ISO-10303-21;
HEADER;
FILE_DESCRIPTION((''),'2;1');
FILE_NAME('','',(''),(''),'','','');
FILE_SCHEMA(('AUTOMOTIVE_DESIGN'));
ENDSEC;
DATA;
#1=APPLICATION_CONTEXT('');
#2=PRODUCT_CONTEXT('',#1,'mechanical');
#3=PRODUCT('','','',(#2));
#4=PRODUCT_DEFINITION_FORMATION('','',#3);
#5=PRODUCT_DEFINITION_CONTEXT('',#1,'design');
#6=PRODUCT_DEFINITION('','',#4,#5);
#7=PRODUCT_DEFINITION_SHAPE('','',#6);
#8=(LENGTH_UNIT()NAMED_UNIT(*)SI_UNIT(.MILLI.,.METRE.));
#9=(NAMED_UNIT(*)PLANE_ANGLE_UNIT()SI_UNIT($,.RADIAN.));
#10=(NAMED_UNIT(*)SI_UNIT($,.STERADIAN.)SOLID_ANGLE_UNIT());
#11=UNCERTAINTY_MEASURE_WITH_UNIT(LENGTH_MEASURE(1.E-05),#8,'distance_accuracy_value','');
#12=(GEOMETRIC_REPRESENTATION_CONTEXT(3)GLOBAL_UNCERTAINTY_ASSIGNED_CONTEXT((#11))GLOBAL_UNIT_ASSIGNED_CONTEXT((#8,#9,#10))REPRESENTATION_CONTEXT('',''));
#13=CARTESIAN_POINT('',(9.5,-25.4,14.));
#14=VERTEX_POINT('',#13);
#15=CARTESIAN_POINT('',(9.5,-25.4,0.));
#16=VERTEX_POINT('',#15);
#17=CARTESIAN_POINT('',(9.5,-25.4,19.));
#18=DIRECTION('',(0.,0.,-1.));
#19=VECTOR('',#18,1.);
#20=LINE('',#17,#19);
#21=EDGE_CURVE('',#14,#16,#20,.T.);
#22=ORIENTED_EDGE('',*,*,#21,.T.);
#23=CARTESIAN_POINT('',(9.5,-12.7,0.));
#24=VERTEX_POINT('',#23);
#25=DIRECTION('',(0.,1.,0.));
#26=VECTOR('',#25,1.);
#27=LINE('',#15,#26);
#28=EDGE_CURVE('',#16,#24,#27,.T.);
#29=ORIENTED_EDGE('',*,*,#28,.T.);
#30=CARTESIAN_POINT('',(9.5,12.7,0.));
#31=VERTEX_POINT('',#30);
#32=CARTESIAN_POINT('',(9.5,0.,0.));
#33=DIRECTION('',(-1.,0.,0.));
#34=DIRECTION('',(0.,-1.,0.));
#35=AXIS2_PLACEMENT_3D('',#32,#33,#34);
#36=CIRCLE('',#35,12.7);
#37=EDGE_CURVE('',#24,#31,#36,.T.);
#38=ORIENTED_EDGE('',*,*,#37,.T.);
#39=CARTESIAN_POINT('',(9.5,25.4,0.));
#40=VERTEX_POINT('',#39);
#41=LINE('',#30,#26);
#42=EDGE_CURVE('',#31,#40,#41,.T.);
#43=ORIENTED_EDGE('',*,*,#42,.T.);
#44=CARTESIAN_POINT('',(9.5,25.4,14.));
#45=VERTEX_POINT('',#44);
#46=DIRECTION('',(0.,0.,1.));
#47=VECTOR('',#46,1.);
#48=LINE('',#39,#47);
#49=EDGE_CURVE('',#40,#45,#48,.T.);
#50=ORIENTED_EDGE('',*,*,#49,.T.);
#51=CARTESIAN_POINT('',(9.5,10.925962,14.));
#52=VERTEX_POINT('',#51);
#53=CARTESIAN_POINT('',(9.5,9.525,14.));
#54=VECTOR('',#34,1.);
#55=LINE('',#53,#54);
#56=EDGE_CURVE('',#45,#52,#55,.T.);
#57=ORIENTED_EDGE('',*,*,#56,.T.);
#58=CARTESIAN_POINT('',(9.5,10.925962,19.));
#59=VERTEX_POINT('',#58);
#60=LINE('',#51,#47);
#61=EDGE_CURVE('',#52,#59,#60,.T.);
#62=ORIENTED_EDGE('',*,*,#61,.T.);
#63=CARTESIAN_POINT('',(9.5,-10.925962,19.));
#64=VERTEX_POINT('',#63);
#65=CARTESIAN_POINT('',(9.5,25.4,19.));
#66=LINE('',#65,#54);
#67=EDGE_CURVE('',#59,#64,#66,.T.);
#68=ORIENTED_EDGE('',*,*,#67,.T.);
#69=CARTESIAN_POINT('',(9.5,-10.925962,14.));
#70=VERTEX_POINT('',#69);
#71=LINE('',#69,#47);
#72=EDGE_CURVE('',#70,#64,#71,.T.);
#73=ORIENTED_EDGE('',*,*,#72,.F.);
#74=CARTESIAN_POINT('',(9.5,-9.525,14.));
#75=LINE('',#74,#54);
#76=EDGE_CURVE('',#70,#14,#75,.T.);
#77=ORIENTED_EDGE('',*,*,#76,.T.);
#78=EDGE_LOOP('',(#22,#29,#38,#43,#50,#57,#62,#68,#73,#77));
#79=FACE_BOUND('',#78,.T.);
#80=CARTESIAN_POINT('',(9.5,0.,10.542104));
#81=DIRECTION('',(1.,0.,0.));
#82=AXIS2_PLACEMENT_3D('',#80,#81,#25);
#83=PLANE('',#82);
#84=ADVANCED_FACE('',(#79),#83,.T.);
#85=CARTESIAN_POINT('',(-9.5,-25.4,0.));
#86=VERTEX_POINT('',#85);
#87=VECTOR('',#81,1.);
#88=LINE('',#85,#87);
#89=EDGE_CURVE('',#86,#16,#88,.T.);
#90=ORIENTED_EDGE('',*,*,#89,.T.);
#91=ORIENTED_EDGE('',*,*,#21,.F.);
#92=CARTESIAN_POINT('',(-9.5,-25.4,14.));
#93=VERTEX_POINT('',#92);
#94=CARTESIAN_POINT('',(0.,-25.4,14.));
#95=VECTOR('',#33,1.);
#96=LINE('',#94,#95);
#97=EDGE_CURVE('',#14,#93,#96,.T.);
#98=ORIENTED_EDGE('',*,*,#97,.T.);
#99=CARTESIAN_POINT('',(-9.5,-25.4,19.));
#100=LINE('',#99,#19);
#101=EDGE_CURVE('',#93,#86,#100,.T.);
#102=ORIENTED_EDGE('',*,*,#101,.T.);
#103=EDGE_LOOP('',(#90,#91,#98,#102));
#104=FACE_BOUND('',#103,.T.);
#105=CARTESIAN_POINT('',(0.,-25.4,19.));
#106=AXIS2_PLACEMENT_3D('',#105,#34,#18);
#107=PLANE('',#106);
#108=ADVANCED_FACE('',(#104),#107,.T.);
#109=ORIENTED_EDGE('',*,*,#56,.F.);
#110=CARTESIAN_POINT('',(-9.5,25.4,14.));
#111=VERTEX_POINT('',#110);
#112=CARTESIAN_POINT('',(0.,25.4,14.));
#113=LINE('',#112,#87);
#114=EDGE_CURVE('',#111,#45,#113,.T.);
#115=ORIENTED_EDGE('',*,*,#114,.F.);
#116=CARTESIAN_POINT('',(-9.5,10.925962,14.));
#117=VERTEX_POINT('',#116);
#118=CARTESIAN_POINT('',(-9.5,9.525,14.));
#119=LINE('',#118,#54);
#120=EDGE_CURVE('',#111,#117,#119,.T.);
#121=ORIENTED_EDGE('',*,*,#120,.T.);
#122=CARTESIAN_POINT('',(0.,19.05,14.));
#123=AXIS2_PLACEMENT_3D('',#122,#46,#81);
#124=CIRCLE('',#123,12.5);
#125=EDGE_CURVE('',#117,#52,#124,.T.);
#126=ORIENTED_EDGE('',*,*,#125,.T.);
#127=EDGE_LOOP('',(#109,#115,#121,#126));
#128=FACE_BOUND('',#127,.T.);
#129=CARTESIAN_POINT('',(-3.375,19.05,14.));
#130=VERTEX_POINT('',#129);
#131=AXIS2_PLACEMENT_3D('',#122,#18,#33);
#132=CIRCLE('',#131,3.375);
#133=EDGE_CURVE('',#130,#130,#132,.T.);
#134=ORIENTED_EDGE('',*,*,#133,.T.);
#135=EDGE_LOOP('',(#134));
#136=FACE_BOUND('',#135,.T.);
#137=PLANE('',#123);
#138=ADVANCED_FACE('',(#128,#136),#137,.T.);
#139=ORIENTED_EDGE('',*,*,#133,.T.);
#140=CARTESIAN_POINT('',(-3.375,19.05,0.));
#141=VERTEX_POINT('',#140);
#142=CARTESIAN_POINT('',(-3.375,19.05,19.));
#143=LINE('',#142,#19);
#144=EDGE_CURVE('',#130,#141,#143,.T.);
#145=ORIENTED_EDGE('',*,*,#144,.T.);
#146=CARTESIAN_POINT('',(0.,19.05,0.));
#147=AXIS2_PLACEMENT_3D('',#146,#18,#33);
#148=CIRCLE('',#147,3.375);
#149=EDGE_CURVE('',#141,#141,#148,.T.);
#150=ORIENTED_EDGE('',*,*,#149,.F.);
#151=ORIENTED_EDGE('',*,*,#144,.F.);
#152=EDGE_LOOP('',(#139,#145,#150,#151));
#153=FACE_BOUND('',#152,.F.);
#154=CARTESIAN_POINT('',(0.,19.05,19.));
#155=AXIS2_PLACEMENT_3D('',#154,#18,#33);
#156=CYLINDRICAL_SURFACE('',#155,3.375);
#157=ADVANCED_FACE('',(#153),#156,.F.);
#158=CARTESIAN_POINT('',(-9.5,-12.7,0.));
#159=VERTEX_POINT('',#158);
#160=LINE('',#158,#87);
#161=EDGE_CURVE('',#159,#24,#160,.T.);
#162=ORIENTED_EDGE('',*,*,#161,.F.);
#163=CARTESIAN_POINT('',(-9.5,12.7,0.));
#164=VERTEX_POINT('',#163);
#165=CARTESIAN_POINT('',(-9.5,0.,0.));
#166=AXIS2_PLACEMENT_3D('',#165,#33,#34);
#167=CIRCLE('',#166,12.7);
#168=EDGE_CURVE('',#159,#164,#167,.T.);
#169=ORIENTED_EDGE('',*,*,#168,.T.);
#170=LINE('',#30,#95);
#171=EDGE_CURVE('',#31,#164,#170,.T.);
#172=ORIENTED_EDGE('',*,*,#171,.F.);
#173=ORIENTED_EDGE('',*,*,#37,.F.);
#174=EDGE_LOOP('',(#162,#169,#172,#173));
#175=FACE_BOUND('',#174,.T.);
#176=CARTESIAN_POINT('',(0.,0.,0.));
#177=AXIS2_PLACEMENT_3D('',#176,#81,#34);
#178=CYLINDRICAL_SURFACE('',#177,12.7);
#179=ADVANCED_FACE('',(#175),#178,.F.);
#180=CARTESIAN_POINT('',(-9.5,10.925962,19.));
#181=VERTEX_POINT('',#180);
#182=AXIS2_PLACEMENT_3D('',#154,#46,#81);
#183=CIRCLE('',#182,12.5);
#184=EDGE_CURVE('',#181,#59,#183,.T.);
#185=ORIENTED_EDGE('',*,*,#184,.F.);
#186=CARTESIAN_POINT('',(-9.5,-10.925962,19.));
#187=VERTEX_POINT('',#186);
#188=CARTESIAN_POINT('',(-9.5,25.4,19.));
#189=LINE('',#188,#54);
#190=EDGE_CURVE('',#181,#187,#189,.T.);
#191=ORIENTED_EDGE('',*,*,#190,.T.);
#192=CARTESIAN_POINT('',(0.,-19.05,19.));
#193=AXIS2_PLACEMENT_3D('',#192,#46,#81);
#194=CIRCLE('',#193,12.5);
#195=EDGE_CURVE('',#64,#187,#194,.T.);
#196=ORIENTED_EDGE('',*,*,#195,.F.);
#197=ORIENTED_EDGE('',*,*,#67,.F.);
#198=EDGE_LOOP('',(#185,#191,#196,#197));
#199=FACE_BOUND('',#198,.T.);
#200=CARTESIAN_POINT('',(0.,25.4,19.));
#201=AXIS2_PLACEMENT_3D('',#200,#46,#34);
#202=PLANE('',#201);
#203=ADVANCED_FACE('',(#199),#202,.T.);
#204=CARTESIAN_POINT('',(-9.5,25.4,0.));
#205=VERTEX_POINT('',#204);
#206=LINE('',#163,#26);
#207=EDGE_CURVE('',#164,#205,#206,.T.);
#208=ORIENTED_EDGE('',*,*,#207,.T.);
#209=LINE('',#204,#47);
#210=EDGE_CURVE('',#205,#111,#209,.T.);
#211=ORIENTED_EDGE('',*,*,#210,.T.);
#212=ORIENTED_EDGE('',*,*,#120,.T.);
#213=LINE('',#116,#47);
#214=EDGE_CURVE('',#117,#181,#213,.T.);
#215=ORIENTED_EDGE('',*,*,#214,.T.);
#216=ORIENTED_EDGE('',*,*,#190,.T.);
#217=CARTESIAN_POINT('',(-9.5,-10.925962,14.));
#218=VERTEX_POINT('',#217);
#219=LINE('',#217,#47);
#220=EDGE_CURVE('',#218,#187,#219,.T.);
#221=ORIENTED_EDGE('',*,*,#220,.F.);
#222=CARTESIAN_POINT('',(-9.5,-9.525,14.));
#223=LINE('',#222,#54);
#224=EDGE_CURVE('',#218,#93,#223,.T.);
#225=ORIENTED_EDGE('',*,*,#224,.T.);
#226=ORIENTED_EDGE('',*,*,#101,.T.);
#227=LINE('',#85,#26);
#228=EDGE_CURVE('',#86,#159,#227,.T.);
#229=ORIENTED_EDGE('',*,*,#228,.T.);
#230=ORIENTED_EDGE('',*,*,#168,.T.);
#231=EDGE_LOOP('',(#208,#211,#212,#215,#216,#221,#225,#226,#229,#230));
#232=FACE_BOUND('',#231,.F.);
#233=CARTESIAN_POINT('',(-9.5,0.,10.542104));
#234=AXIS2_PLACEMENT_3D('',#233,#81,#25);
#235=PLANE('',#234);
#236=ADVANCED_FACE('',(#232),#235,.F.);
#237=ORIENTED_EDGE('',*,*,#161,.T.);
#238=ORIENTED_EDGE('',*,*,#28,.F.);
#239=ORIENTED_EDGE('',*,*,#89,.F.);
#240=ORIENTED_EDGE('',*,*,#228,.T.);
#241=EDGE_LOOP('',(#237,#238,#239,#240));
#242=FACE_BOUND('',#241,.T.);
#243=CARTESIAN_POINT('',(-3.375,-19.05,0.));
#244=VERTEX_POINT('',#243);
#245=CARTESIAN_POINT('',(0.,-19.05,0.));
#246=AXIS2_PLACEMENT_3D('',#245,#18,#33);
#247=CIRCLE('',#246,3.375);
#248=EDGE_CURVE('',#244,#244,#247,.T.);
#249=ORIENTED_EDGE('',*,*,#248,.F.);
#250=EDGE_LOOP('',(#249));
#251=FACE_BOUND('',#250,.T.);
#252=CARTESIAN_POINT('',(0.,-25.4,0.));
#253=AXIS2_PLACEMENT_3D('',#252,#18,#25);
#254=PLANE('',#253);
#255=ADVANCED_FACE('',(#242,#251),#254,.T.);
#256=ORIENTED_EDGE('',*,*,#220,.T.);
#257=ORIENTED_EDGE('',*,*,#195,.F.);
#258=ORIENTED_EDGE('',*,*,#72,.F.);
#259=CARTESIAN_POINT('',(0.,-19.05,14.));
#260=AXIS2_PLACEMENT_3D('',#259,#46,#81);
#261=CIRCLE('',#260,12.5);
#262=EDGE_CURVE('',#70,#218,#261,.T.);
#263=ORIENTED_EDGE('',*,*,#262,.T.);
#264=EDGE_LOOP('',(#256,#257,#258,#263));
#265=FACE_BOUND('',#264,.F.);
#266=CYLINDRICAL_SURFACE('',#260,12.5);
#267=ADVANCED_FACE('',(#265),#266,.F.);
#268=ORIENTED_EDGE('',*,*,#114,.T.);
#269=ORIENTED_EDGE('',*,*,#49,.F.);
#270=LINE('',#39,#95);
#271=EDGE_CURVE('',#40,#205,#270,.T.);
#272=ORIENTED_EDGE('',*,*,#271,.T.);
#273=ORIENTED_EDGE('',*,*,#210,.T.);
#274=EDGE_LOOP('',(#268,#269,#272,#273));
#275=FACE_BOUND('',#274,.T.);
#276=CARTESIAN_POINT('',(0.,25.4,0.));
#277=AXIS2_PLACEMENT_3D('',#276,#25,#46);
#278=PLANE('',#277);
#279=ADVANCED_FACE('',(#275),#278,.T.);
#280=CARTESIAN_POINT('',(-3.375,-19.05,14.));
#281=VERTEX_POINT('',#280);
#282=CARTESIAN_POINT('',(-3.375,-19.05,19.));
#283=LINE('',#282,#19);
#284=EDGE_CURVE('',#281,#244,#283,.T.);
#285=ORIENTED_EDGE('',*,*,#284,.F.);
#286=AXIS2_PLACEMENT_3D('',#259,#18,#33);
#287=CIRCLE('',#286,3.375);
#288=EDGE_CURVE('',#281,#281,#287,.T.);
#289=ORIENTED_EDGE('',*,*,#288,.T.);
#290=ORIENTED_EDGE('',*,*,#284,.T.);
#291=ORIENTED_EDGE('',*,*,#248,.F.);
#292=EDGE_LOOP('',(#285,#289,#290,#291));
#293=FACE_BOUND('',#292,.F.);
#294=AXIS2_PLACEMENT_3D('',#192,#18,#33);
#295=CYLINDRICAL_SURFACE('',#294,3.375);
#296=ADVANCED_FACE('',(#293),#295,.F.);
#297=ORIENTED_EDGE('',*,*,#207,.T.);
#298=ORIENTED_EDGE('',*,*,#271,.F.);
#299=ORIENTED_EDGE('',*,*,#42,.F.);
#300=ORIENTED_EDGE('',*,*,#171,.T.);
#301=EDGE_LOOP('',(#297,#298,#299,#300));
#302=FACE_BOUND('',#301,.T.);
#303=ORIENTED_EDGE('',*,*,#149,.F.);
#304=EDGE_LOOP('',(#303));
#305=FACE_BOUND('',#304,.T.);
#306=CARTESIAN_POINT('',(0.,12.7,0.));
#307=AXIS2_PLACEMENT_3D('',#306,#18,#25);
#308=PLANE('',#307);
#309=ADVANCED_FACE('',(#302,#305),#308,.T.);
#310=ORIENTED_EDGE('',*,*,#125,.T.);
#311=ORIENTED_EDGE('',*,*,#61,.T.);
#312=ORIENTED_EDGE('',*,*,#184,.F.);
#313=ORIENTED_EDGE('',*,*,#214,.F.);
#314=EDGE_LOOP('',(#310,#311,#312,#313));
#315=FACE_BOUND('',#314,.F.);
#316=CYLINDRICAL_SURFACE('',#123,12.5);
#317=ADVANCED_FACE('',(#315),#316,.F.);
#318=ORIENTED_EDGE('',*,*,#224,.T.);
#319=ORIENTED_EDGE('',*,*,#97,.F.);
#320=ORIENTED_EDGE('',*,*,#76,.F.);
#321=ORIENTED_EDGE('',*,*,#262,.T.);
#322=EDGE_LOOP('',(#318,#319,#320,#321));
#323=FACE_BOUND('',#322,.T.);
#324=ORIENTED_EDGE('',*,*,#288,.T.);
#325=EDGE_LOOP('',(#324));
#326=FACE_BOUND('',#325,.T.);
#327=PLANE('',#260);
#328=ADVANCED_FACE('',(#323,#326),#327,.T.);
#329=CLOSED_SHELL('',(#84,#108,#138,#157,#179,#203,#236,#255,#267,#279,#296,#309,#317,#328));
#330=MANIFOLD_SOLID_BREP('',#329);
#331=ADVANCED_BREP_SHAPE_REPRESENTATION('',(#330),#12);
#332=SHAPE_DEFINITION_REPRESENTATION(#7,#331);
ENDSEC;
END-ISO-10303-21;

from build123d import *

# Parameters (mm, degrees)
F1_DEPTH       = 9.5
F3_D           = 6.75
F3_CBORE_D     = 25
F3_CBORE_DEPTH = 5


with BuildPart() as f1:
    # F0 (on Right) → F1 (new body, symmetric)
    with BuildSketch(Plane.YZ):
        with BuildLine():
            Line((25.4, 19), (-25.4, 19))
            Line((-25.4, 19), (-25.4, 0))
            Line((-25.4, 0), (-12.7, 0))
            ThreePointArc((-12.7, 0), (0, 12.7), (12.7, 0))
            Line((12.7, 0), (25.4, 0))
            Line((25.4, 0), (25.4, 19))
        make_face()
    extrude(amount=F1_DEPTH, both=True)

    # F3 (through all)
    with Locations(Plane.XY.offset(19)):
        with Locations((0, 19.05), (0, -19.05)):
            CounterBoreHole(F3_D / 2, F3_CBORE_D / 2, F3_CBORE_DEPTH)


solid = f1.part
